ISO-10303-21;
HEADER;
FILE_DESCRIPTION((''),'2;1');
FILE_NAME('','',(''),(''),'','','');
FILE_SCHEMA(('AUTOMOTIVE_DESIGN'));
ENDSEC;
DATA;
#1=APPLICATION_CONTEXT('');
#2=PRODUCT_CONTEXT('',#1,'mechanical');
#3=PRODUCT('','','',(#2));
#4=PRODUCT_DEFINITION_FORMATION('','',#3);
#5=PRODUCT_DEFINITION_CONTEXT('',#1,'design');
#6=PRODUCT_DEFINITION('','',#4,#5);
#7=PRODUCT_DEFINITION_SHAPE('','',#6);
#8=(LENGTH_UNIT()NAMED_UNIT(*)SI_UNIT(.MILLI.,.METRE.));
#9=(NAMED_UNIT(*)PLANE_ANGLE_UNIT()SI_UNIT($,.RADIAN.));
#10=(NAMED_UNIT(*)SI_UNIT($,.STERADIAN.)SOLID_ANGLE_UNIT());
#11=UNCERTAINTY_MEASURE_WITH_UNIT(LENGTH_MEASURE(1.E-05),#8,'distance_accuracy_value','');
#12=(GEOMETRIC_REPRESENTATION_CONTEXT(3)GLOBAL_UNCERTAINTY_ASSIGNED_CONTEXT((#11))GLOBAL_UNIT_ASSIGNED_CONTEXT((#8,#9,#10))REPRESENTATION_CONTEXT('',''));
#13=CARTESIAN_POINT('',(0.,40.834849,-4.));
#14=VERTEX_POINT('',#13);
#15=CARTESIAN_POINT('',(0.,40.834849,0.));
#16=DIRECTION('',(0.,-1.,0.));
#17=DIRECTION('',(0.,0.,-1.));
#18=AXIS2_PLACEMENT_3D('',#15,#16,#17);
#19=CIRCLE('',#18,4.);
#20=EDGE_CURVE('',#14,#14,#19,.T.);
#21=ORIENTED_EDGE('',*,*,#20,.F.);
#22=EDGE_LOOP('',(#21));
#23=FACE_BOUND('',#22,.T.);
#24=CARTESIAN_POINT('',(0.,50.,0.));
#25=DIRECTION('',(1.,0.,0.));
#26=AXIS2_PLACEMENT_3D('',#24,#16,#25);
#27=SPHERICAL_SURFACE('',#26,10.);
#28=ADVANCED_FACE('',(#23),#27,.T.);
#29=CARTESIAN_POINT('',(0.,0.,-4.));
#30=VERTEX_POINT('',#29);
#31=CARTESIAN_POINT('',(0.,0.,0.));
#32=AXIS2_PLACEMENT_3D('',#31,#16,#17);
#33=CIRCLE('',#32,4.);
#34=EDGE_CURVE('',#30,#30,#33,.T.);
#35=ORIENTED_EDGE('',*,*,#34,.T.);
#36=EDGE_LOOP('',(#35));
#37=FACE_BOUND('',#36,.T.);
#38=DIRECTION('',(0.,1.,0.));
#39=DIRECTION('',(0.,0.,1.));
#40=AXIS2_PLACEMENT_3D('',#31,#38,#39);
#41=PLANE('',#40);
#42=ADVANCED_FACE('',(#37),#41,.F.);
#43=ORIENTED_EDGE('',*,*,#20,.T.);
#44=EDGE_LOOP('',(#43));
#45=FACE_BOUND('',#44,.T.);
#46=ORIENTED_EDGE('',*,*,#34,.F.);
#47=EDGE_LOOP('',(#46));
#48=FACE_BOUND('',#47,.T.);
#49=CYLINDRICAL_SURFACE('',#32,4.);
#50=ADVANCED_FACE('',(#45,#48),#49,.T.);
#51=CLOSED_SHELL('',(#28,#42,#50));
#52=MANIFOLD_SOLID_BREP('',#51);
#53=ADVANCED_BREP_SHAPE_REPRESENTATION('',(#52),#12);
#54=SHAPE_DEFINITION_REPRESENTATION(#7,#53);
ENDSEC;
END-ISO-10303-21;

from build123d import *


with BuildPart() as part:
    # Sketch1 → Revolve1 (revolve)
    with BuildSketch(Plane.XY, mode=Mode.PRIVATE) as revolve1_sk:
        with BuildLine():
            Line((0, 0), (-4, 0))
            Line((-4, 0), (-4, 40.83484861))
            ThreePointArc((-4, 40.83484861), (-9.789063129, 52.043096437), (0, 60))
            Line((0, 60), (0, 0))
        make_face()
    revolve(revolve1_sk.sketch.rotate(Axis((0, 0, 0), (0, 1, 0)), 180), axis=Axis((0, 0, 0), (0, 1, 0)))


solid = part.part
